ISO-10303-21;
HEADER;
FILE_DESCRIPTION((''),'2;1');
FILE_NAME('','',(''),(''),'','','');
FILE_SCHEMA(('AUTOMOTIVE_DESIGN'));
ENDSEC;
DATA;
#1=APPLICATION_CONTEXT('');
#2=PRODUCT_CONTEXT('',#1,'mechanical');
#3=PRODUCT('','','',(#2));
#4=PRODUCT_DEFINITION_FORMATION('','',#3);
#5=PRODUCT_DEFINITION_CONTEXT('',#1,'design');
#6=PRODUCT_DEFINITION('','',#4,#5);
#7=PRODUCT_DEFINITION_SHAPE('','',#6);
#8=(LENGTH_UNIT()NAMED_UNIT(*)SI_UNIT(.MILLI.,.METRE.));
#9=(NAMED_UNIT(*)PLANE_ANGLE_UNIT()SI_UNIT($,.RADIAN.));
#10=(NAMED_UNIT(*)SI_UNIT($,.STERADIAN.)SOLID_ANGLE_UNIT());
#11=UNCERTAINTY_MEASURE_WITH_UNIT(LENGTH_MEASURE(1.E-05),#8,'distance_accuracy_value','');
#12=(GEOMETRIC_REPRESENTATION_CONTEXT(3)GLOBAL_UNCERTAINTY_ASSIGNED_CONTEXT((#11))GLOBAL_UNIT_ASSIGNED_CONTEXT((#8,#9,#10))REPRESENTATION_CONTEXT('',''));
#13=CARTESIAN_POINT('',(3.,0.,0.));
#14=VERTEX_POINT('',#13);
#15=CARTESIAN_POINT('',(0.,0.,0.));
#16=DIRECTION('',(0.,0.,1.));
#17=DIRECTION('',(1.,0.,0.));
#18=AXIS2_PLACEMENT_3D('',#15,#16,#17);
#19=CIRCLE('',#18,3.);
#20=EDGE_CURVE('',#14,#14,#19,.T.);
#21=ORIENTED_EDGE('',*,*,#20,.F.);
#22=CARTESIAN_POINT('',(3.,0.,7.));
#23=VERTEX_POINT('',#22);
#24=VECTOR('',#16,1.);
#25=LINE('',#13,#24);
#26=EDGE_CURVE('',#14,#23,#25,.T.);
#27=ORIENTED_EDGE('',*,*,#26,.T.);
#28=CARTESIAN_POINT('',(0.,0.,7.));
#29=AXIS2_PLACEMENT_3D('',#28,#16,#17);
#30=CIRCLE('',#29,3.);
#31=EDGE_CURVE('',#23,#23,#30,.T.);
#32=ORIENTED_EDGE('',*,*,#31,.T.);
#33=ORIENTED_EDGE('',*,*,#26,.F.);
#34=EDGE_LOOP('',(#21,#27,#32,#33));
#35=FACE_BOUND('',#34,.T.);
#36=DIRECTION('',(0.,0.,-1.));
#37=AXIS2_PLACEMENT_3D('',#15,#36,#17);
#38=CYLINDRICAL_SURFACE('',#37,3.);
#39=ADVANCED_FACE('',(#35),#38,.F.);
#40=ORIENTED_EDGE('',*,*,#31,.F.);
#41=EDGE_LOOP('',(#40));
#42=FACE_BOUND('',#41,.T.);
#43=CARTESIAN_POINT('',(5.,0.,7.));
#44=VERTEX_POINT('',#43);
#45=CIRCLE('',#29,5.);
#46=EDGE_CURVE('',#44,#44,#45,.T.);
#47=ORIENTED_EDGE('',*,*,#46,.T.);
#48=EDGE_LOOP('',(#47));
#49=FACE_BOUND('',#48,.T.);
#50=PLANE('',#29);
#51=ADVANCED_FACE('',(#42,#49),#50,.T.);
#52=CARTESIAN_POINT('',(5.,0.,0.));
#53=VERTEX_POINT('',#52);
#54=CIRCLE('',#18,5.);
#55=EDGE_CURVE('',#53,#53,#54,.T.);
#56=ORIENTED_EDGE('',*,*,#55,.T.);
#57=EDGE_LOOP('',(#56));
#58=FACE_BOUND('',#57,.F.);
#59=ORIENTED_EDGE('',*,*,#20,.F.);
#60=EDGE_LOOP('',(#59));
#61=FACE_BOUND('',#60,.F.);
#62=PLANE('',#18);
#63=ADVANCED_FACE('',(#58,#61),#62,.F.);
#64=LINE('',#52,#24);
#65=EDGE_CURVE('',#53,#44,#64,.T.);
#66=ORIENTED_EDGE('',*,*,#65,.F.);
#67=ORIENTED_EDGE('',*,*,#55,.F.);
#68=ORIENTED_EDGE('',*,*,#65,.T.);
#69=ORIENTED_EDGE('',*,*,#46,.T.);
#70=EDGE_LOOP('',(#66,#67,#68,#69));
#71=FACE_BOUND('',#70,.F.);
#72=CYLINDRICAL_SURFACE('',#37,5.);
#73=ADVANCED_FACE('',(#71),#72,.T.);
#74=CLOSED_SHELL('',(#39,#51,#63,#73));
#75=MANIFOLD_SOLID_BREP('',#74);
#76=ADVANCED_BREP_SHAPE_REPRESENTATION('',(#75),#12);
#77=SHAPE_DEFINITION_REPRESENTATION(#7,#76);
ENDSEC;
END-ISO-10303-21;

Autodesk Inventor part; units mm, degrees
ref_plane "YZ Plane" through (0, 0, 0) normal (1, 0, 0) x (0, 1, 0)
ref_plane "XZ Plane" through (0, 0, 0) normal (0, 1, 0) x (-1, 0, 0)
ref_plane "XY Plane" through (0, 0, 0) normal (0, 0, 1) x (1, 0, 0)
sketch "Szkic1" plane through (0, 0, 0) normal (0, 0, 1) x (1, 0, 0)
  circle A0 centre (0, 0) radius 3
  circle A1 centre (0, 0) radius 5
  dimension "d0" = 6
  dimension "d1" = 10
extrude "Wyciągnięcie proste1" add sketch "Szkic1" along normal blind 7
properties part number "tuleja_M6_M10_115"
